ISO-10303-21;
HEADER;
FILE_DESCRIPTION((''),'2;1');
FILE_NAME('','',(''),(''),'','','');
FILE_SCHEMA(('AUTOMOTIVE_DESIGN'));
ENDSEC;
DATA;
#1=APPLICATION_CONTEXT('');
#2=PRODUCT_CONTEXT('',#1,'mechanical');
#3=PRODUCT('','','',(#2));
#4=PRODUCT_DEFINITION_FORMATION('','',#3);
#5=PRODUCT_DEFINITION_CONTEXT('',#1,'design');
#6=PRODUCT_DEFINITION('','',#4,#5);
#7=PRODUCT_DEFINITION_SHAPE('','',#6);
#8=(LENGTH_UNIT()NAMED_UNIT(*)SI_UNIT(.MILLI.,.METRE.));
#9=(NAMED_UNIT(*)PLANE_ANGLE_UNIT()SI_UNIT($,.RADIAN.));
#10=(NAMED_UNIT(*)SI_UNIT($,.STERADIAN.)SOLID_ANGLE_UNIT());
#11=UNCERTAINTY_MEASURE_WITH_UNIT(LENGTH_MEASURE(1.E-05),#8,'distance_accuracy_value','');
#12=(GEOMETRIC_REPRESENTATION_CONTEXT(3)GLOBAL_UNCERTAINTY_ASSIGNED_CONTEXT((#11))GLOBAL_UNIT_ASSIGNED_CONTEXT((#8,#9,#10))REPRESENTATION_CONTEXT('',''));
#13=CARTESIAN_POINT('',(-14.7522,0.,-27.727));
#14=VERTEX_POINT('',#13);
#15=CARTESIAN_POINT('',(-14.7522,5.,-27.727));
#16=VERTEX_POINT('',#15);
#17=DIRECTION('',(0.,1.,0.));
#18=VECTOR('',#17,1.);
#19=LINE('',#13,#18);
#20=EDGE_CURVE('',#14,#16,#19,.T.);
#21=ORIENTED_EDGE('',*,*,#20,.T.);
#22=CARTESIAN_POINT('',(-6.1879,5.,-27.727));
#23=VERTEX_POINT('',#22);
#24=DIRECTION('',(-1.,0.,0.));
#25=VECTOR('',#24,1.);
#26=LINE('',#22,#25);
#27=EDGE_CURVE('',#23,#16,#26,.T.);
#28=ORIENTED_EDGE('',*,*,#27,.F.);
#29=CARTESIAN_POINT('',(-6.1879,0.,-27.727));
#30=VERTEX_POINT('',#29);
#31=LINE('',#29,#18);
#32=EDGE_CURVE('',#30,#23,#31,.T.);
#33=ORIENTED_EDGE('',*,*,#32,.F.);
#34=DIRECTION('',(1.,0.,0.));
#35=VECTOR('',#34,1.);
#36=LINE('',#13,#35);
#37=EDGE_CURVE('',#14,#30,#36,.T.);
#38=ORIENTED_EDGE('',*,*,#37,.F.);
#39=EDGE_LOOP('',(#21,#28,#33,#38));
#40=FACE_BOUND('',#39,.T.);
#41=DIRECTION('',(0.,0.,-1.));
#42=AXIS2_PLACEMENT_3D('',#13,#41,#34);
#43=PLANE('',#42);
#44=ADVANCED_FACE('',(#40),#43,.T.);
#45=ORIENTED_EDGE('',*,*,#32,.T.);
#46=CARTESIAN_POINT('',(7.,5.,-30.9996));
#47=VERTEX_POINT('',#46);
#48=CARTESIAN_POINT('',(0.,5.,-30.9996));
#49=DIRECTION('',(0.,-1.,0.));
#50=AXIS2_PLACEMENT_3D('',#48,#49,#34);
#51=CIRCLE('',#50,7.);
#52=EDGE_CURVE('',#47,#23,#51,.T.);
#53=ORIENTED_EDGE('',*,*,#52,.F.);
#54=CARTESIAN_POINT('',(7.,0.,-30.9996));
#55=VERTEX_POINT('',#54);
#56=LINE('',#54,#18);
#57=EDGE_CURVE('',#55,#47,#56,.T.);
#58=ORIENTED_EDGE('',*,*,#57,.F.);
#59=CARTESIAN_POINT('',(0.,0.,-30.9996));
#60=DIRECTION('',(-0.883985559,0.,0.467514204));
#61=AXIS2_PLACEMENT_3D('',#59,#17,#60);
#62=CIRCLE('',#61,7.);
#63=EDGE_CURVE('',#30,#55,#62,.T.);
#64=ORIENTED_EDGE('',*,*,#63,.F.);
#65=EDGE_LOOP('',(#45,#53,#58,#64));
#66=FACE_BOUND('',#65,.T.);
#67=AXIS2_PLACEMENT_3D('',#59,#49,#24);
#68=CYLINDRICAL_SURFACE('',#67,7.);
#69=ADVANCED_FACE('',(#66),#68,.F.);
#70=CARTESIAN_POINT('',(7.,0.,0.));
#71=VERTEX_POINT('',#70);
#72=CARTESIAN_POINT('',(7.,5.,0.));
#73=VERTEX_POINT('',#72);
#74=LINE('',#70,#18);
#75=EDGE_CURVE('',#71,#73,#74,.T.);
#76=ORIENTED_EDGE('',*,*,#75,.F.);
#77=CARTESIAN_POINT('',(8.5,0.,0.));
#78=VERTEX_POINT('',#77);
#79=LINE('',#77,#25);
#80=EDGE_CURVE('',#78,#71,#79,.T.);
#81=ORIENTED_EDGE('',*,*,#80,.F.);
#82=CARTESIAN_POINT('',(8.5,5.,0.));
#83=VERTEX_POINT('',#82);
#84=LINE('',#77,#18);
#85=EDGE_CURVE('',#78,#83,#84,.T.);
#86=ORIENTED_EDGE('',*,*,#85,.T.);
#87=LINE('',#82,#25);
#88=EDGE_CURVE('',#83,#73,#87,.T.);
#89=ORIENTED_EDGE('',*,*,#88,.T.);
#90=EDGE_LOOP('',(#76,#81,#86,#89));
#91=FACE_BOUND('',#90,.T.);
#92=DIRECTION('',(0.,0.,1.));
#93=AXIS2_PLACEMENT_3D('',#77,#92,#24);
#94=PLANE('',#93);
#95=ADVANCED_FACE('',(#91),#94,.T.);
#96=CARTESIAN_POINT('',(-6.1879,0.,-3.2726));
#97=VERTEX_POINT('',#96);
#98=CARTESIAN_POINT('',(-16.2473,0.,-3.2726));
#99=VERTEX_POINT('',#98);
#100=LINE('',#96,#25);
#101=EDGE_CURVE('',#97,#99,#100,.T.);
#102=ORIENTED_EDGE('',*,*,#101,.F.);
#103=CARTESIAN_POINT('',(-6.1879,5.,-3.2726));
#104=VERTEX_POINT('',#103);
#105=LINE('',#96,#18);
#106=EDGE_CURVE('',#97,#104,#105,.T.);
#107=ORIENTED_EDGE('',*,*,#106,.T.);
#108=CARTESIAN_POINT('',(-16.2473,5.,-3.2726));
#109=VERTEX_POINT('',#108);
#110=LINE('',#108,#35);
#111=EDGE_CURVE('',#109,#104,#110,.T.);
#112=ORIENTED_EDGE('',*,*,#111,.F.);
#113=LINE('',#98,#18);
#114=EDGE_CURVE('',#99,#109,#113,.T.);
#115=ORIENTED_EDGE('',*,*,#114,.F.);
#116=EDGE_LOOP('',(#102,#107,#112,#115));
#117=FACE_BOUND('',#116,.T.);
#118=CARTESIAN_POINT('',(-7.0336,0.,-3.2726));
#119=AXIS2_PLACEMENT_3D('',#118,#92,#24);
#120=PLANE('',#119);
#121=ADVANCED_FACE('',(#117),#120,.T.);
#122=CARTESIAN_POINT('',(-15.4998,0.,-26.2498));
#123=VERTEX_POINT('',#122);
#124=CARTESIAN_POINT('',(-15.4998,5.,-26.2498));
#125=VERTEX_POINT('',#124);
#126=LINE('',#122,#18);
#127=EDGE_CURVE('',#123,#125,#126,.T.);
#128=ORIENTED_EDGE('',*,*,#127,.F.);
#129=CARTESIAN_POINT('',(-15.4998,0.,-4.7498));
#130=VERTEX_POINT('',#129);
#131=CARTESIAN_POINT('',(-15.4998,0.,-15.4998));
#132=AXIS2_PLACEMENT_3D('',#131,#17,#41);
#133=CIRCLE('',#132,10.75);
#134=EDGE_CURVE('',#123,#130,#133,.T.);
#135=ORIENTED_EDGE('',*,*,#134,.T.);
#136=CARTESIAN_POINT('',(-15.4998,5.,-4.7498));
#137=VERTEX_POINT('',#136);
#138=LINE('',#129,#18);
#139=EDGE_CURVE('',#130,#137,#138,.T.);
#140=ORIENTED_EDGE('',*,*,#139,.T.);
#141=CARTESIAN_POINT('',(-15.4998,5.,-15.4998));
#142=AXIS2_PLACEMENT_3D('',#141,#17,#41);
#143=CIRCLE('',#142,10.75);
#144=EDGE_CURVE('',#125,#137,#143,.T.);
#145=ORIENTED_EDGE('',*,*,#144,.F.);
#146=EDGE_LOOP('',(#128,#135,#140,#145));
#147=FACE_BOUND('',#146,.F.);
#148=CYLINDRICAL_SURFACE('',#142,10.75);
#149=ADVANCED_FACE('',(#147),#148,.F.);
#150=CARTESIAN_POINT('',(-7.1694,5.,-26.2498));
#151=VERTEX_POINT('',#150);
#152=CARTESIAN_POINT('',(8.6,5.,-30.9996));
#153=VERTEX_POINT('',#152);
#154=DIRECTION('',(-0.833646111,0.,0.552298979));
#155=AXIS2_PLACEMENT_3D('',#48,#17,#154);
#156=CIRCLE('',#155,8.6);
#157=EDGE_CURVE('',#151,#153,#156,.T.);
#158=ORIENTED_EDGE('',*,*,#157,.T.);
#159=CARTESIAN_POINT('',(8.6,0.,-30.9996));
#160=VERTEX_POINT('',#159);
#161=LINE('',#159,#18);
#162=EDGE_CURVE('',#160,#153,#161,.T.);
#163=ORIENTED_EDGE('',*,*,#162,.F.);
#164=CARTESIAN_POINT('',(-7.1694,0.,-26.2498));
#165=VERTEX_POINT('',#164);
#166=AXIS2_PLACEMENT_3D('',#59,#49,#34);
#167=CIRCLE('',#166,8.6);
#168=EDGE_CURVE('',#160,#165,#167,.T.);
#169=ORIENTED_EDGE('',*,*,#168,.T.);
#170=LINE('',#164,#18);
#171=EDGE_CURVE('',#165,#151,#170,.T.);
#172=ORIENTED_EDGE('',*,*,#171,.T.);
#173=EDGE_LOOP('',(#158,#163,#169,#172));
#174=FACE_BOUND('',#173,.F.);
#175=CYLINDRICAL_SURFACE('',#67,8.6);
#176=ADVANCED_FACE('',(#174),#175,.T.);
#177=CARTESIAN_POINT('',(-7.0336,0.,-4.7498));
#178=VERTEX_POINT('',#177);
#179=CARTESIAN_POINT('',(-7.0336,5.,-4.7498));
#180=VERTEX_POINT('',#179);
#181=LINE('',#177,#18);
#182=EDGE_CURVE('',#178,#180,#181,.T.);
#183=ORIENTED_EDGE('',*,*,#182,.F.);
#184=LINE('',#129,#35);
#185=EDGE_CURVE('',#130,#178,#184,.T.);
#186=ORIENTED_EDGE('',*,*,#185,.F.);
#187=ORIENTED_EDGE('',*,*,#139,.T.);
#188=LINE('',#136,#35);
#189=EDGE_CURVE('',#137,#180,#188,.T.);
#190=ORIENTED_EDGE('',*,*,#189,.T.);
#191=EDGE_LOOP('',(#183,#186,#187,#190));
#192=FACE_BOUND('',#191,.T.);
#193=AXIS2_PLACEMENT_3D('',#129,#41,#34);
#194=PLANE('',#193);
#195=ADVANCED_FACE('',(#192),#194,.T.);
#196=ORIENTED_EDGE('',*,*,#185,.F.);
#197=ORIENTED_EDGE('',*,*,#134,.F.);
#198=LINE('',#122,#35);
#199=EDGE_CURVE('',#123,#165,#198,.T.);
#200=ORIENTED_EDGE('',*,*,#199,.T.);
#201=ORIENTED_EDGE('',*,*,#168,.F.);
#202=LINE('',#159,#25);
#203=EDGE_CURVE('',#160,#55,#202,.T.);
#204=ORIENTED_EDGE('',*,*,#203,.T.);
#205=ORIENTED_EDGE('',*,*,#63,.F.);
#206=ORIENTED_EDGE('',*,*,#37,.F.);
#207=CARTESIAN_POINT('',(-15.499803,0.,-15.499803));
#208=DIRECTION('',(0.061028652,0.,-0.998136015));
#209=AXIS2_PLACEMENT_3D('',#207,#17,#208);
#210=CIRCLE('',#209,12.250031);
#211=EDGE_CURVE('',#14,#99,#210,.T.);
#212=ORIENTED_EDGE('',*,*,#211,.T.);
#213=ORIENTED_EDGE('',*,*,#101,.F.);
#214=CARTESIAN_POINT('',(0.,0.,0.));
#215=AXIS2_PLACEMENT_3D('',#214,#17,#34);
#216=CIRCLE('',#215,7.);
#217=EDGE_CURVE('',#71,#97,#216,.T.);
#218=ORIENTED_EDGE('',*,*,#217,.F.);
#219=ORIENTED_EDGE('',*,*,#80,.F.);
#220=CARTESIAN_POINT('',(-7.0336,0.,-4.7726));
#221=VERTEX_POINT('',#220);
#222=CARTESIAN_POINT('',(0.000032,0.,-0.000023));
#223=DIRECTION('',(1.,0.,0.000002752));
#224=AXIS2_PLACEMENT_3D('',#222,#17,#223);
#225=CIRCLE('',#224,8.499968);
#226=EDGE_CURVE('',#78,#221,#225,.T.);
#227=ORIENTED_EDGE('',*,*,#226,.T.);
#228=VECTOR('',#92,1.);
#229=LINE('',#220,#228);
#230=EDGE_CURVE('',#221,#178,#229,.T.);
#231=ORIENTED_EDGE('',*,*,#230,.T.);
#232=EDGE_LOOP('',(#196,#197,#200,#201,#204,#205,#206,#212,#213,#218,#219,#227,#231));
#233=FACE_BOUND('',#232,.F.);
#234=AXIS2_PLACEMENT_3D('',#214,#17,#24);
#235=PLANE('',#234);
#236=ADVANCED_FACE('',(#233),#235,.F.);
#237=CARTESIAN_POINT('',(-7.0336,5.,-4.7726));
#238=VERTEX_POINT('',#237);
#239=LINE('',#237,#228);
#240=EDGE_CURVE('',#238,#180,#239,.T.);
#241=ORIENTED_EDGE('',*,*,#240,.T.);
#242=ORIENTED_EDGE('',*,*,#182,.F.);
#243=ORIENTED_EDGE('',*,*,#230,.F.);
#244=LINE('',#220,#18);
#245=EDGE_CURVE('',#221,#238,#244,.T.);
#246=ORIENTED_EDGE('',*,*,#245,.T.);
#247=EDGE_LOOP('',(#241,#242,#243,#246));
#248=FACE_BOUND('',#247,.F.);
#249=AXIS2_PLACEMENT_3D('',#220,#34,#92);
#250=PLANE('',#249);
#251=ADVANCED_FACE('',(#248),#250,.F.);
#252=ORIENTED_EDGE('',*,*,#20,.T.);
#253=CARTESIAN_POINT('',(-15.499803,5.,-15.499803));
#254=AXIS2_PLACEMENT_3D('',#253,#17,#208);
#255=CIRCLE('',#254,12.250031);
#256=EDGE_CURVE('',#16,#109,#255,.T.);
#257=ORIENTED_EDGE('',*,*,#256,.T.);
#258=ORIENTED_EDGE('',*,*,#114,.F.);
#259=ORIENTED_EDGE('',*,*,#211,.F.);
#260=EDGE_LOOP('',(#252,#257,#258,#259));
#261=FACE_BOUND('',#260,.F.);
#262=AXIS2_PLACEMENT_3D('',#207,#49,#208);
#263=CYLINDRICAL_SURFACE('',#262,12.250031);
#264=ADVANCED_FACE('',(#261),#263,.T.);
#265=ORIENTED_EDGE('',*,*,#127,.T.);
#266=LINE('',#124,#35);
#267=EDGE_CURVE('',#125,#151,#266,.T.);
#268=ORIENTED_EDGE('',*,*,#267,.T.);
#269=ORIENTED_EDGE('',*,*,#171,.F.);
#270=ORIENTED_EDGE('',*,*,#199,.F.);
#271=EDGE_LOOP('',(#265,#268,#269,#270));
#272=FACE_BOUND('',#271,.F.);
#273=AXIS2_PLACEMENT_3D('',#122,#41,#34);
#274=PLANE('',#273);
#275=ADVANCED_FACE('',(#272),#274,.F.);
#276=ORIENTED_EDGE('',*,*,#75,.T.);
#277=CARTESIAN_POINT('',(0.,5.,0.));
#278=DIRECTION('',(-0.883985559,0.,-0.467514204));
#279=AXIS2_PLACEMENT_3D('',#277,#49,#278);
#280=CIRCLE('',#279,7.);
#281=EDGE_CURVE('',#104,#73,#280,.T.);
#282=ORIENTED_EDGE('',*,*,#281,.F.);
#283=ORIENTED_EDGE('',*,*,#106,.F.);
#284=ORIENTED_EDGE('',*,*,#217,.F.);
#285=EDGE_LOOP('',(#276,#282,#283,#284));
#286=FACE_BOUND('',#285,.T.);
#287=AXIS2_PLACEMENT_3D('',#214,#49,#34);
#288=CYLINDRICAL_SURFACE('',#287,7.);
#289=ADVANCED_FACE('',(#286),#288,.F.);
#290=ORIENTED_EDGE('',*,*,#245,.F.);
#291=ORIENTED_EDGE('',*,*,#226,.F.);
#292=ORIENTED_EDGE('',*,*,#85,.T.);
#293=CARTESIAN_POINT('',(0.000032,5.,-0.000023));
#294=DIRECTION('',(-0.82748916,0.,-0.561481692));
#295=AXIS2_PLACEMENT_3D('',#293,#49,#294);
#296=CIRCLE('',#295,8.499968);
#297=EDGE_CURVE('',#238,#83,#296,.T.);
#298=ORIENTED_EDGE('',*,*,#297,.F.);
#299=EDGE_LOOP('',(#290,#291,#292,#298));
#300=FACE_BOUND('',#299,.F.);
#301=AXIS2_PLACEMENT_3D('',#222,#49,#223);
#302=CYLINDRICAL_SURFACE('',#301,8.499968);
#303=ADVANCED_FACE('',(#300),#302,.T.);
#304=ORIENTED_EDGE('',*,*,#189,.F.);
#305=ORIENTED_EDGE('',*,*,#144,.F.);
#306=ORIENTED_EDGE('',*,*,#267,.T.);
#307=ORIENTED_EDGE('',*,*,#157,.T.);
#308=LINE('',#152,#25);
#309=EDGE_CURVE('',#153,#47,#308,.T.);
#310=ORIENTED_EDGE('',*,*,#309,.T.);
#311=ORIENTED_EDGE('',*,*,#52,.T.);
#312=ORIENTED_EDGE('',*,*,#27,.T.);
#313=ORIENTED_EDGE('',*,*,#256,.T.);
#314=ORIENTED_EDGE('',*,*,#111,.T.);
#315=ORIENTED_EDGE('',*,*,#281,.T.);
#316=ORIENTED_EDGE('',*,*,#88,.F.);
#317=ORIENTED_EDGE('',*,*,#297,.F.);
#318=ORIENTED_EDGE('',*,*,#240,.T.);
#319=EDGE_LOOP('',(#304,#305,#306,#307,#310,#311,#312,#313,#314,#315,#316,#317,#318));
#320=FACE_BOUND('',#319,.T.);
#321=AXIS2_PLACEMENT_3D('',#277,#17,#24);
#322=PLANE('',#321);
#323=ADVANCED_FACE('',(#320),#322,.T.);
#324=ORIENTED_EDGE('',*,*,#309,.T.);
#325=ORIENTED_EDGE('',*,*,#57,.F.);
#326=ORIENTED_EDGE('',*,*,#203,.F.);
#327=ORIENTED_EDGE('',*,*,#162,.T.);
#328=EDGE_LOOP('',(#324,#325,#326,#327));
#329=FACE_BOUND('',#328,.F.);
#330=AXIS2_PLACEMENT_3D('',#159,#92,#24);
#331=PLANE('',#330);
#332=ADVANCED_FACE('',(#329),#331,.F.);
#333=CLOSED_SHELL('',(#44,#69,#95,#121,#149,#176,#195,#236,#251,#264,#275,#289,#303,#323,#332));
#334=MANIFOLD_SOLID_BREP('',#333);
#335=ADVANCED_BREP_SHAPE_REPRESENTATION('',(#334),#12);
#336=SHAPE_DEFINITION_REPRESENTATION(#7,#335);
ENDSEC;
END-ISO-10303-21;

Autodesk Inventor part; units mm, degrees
ref_plane "YZ Plane" through (0, 0, 0) normal (1, 0, 0) x (0, 1, 0)
ref_plane "XZ Plane" through (0, 0, 0) normal (0, 1, 0) x (-1, 0, 0)
ref_plane "XY Plane" through (0, 0, 0) normal (0, 0, 1) x (1, 0, 0)
sketch "Sketch1" plane through (0, 0, 0) normal (0, 1, 0) x (-1, 0, 0)
  arc A0 (-7, 0) -> (7, 0) centre (0, 0) ccw
  line L0 (0, 0) -> (15.4998, -15.4998)
  line L1 (0, 0) -> (21.92, 0) construction
  arc A1 (14.3592, -26.1891) -> (7.8984, -7.8984) centre (15.4998, -15.4998) ccw
  line L2 (0, 0) -> (-7, 0)
  line L3 (15.4998, -15.4998) -> (15.4998, -4.7498)
  line L4 (15.4998, -15.4998) -> (26.2498, -15.4998) construction
  line L5 (15.4998, -4.7498) -> (5.1419, -4.7498)
  line L6 (15.4998, -15.4998) -> (15.4998, -26.2498)
  line L7 (15.4998, -15.4998) -> (37.4198, -15.4998) construction
  line L8 (15.4998, -26.2498) -> (26.0213, -26.2498) construction
  arc A2 (14.7522, -27.727) -> (16.2473, -3.2726) centre (15.4998, -15.4998) ccw
  line L9 (15.4998, -15.4998) -> (14.7522, -27.727) construction
  line L10 (15.4998, -15.4998) -> (16.2473, -3.2726) construction
  line L11 (-8.5, 0) -> (-7, 0)
  arc A3 (-8.5, 0) -> (7.0336, -4.7726) centre (0, 0) ccw
  line L12 (0, 0) -> (-8.5, 0) construction
  line L13 (0, 0) -> (8.5, 0) construction
  line L14 (7.0336, -4.7726) -> (7.0336, -3.2726)
  line L15 (7.0336, -3.2726) -> (6.1879, -3.2726)
  line L16 (7.0336, -3.2726) -> (16.2473, -3.2726)
  line L17 (14.7522, -27.727) -> (22.4821, -27.727) construction
  line L18 (15.4998, -15.4998) -> (0, -15.4998)
  line L19 (15.4998, -15.4998) -> (0, -30.9996)
  line L20 (15.4998, -15.4998) -> (37.4198, -15.4998) construction
  line L21 (14.3592, -26.1891) -> (22.4791, -26.1891) construction
  arc A4 (7, -30.9996) -> (-7, -30.9996) centre (0, -30.9996) ccw
  arc A5 (8.6, -30.9996) -> (-8.6, -30.9996) centre (0, -30.9996) ccw
  line L22 (15.4998, -26.2498) -> (7.1694, -26.2498)
  line L23 (14.7522, -27.727) -> (7.953, -27.727)
  line L24 (-8.6, -30.9996) -> (-7, -30.9996)
  line L25 (7.953, -27.727) -> (6.1879, -27.727)
  dimension "d0" = 14
  dimension "d1" = 21.92
  dimension "d2" = 45
  dimension "d3" = 21.5
  dimension "d4" = 10.75
  dimension "d5" = 90
  dimension "d6" = 90
  dimension "d13" = 12.25
  dimension "d14" = 180
  dimension "d21" = 8.5
  dimension "d22" = 180
  dimension "d23" = 1.5
  dimension "d24" = 90
  dimension "d25" = 7.0336
  dimension "d31" = 21.92
  dimension "d32" = 135
  dimension "d44" = 7
  dimension "d45" = 8.6
extrude "Extrusion3" add sketch "Sketch1" along normal blind 5 contours L5 L14 A3 L0 A0 | A0 L15 L14 L5 | L0 A3 L11 A0 | L14 L16 A2 L23 A5 L22 A1 L5 | A1 L6 L3 | A5 L25 A4 L19 | L19 A4 L24 A5
sketch "Sketch3" plane through (0, 5, 0) normal (0, 1, 0) x (1, 0, 0)
  line L0 (-15.4998, 26.2498) -> (-15.4998, 4.7498) projected
  arc A0 (-15.4998, 26.2498) -> (-15.4998, 4.7498) centre (-15.4998, 15.4998) ccw
  line L1 (-15.4998, 4.7498) -> (-15.4998, 15.4998)
  line L2 (-15.4998, 15.4998) -> (-15.4998, 26.2498)
  point P0 (0, 0)
extrude "Extrusion4" cut sketch "Sketch3" against normal blind 5
properties part number "small_belt_loop"
